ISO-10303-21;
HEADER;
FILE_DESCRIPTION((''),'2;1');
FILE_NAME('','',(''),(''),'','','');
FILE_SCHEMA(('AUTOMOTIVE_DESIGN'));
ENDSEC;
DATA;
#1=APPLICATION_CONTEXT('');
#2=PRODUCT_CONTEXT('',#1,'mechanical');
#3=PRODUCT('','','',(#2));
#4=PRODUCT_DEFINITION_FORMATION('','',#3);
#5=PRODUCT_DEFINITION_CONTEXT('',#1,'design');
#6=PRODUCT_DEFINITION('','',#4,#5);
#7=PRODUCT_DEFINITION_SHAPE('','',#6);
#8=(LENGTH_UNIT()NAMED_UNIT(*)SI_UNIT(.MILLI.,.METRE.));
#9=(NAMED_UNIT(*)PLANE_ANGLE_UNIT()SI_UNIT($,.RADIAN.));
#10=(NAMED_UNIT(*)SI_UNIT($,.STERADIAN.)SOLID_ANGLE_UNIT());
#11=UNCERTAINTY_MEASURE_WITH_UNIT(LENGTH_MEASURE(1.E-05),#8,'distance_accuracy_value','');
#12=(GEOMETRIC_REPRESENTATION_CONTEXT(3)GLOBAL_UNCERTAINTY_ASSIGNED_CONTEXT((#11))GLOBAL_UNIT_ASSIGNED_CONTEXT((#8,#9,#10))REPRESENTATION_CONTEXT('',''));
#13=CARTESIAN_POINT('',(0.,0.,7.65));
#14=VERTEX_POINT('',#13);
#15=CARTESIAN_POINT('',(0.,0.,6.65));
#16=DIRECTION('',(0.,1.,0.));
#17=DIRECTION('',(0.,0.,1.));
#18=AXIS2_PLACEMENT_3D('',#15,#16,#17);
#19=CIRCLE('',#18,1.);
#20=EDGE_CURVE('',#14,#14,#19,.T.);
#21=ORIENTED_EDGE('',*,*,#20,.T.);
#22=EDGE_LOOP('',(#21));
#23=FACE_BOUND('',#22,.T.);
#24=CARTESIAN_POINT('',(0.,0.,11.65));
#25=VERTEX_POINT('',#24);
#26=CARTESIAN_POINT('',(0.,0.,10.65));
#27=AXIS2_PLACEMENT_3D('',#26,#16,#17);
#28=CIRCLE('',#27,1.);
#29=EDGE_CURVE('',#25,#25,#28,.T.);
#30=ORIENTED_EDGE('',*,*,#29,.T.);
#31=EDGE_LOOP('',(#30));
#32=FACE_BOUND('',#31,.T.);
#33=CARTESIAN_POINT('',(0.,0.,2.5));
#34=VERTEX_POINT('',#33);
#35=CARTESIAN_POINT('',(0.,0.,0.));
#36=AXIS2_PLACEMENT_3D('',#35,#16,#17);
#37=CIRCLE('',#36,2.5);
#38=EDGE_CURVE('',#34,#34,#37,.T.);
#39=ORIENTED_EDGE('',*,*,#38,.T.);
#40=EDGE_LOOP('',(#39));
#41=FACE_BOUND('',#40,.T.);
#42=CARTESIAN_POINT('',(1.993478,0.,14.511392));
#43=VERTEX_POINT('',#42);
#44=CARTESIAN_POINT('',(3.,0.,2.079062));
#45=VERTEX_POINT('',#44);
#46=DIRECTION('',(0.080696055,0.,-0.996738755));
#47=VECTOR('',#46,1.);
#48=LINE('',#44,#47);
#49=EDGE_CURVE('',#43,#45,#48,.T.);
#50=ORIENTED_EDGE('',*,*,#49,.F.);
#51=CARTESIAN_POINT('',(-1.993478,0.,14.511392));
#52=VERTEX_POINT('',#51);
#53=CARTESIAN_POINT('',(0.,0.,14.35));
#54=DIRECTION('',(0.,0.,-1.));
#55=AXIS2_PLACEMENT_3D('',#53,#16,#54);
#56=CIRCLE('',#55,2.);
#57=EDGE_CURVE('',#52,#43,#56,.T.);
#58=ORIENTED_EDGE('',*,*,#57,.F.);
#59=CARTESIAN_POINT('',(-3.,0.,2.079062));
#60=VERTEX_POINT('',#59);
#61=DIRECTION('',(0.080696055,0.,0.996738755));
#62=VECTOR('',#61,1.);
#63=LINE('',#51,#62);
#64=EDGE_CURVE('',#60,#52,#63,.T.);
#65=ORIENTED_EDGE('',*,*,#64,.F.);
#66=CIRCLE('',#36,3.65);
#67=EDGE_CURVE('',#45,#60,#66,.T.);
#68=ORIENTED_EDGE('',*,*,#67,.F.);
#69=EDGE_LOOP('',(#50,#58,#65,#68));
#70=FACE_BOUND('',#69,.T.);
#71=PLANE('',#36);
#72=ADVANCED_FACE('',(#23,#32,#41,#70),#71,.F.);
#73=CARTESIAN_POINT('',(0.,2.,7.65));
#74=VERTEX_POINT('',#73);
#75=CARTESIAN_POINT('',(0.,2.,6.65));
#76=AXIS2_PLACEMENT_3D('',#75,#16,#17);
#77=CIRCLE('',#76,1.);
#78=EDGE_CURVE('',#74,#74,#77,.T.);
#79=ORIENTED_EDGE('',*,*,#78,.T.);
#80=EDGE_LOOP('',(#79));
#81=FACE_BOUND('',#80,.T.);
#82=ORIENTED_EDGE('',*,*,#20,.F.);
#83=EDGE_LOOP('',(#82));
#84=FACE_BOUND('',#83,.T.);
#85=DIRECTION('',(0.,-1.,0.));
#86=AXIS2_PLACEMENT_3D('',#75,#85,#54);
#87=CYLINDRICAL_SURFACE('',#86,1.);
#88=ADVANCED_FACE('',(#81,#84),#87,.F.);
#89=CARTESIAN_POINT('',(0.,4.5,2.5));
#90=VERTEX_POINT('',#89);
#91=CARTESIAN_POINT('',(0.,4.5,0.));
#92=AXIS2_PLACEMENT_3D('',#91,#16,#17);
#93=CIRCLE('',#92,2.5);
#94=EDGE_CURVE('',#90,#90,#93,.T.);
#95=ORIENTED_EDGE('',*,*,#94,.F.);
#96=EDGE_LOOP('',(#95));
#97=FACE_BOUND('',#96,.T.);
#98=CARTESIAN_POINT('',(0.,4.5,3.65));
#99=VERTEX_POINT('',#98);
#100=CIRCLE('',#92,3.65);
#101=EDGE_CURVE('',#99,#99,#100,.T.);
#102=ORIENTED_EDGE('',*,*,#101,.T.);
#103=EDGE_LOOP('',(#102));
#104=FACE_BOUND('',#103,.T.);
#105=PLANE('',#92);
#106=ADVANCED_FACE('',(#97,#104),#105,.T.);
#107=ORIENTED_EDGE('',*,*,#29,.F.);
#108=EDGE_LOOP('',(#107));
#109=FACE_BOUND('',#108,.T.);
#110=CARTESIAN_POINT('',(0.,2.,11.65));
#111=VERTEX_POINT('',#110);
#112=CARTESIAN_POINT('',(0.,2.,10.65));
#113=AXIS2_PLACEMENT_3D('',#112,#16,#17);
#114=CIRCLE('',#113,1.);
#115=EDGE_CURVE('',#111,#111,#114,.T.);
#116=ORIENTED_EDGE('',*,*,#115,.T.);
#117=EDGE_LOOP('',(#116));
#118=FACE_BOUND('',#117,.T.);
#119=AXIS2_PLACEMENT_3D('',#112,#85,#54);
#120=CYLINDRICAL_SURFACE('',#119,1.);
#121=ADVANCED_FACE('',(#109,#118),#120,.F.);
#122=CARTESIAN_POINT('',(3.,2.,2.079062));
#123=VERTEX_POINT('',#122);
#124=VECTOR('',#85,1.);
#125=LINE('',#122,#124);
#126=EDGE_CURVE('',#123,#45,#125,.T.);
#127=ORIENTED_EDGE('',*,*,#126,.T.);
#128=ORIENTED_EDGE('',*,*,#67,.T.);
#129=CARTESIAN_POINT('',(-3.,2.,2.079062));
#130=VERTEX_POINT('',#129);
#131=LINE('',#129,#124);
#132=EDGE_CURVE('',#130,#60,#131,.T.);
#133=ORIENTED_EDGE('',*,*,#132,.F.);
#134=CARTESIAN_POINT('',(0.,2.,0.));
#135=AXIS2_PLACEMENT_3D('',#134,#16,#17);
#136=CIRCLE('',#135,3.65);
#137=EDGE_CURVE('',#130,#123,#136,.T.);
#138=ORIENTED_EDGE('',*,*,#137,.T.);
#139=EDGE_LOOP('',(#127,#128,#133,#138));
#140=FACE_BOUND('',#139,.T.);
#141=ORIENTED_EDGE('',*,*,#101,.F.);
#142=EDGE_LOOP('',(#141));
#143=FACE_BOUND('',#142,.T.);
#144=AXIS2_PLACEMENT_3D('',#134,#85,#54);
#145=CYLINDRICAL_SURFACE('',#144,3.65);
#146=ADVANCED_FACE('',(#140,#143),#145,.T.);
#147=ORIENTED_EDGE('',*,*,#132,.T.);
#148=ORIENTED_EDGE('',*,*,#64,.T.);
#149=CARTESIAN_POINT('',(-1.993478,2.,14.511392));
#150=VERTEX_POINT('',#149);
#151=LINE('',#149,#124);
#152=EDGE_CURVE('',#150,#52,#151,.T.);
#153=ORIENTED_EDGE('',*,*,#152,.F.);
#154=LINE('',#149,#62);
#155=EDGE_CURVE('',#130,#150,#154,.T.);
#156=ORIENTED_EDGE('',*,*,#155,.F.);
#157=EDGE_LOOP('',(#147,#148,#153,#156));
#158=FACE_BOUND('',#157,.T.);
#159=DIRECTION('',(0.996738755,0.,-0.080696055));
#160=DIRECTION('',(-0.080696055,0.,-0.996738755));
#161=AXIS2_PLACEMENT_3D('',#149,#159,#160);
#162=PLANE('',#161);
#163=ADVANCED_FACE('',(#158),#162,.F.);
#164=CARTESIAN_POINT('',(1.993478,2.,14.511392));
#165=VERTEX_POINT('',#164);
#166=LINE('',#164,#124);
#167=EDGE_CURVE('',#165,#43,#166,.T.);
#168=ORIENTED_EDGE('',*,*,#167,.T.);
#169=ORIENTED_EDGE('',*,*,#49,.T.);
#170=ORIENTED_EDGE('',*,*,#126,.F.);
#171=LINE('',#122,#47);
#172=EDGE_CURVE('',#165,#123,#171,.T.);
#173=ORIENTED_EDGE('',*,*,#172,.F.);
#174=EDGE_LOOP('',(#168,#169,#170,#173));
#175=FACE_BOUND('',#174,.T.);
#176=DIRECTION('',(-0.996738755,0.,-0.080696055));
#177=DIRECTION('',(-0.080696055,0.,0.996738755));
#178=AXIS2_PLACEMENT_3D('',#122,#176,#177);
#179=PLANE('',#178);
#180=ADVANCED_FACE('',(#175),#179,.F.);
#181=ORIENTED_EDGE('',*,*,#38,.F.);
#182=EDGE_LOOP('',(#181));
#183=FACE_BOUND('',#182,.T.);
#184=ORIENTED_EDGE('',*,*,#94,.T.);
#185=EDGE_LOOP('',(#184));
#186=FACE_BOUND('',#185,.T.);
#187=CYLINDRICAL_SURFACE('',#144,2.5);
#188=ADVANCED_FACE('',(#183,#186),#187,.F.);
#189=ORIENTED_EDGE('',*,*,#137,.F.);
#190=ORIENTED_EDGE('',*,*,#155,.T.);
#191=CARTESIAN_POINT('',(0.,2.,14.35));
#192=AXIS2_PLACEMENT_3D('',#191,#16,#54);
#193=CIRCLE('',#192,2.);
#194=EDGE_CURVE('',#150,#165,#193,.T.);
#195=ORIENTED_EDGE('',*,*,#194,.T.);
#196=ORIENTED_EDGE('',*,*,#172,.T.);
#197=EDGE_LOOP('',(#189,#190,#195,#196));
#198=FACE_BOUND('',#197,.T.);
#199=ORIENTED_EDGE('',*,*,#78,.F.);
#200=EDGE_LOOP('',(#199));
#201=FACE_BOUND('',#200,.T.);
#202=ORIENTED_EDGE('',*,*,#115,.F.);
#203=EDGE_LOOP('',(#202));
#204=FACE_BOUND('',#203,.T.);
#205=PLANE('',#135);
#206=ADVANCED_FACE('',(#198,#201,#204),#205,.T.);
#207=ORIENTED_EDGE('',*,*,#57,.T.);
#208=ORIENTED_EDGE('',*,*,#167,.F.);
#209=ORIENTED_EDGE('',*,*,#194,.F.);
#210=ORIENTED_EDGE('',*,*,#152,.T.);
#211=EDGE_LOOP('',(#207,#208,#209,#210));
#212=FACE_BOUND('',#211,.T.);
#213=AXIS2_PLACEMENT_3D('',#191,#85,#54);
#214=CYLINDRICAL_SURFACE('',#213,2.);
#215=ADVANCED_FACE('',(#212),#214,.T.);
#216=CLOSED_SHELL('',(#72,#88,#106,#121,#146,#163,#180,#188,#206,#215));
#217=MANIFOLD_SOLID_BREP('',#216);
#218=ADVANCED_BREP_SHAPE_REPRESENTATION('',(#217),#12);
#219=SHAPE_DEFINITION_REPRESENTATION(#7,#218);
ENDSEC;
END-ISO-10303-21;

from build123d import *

# Parameters (mm, degrees)
SKETCH1_R           = 1
SKETCH1_R_2         = 2.5
BOSS_EXTRUDE1_DEPTH = 2
SKETCH2_R           = 3.65
SKETCH2_R_2         = 2.5
BOSS_EXTRUDE2_DEPTH = 2.5


with BuildPart() as part:
    # Sketch1 → Boss-Extrude1 (new body)
    with BuildSketch(Plane(origin=(0, 0, 0), x_dir=(1, 0, 0), z_dir=(0, 1, 0))):
        with BuildLine():
            Line((3, -2.079062289), (1.993477511, -14.51139211))
            ThreePointArc((1.993477511, -14.51139211), (0, -16.35), (-1.993477511, -14.51139211))
            Line((-1.993477511, -14.51139211), (-3, -2.079062289))
            ThreePointArc((-3, -2.079062289), (0, 3.65), (3, -2.079062289))
        make_face()
        with Locations((0, -6.65)):
            Circle(SKETCH1_R, mode=Mode.SUBTRACT)
        with Locations((0, -10.65)):
            Circle(SKETCH1_R, mode=Mode.SUBTRACT)
        Circle(SKETCH1_R_2, mode=Mode.SUBTRACT)
    extrude(amount=BOSS_EXTRUDE1_DEPTH)

    # Sketch2 → Boss-Extrude2 (add)
    with BuildSketch(Plane(origin=(0, 2, 0), x_dir=(1, 0, 0), z_dir=(0, 1, 0))):
        Circle(SKETCH2_R)
        Circle(SKETCH2_R_2, mode=Mode.SUBTRACT)
    extrude(amount=BOSS_EXTRUDE2_DEPTH)


solid = part.part
